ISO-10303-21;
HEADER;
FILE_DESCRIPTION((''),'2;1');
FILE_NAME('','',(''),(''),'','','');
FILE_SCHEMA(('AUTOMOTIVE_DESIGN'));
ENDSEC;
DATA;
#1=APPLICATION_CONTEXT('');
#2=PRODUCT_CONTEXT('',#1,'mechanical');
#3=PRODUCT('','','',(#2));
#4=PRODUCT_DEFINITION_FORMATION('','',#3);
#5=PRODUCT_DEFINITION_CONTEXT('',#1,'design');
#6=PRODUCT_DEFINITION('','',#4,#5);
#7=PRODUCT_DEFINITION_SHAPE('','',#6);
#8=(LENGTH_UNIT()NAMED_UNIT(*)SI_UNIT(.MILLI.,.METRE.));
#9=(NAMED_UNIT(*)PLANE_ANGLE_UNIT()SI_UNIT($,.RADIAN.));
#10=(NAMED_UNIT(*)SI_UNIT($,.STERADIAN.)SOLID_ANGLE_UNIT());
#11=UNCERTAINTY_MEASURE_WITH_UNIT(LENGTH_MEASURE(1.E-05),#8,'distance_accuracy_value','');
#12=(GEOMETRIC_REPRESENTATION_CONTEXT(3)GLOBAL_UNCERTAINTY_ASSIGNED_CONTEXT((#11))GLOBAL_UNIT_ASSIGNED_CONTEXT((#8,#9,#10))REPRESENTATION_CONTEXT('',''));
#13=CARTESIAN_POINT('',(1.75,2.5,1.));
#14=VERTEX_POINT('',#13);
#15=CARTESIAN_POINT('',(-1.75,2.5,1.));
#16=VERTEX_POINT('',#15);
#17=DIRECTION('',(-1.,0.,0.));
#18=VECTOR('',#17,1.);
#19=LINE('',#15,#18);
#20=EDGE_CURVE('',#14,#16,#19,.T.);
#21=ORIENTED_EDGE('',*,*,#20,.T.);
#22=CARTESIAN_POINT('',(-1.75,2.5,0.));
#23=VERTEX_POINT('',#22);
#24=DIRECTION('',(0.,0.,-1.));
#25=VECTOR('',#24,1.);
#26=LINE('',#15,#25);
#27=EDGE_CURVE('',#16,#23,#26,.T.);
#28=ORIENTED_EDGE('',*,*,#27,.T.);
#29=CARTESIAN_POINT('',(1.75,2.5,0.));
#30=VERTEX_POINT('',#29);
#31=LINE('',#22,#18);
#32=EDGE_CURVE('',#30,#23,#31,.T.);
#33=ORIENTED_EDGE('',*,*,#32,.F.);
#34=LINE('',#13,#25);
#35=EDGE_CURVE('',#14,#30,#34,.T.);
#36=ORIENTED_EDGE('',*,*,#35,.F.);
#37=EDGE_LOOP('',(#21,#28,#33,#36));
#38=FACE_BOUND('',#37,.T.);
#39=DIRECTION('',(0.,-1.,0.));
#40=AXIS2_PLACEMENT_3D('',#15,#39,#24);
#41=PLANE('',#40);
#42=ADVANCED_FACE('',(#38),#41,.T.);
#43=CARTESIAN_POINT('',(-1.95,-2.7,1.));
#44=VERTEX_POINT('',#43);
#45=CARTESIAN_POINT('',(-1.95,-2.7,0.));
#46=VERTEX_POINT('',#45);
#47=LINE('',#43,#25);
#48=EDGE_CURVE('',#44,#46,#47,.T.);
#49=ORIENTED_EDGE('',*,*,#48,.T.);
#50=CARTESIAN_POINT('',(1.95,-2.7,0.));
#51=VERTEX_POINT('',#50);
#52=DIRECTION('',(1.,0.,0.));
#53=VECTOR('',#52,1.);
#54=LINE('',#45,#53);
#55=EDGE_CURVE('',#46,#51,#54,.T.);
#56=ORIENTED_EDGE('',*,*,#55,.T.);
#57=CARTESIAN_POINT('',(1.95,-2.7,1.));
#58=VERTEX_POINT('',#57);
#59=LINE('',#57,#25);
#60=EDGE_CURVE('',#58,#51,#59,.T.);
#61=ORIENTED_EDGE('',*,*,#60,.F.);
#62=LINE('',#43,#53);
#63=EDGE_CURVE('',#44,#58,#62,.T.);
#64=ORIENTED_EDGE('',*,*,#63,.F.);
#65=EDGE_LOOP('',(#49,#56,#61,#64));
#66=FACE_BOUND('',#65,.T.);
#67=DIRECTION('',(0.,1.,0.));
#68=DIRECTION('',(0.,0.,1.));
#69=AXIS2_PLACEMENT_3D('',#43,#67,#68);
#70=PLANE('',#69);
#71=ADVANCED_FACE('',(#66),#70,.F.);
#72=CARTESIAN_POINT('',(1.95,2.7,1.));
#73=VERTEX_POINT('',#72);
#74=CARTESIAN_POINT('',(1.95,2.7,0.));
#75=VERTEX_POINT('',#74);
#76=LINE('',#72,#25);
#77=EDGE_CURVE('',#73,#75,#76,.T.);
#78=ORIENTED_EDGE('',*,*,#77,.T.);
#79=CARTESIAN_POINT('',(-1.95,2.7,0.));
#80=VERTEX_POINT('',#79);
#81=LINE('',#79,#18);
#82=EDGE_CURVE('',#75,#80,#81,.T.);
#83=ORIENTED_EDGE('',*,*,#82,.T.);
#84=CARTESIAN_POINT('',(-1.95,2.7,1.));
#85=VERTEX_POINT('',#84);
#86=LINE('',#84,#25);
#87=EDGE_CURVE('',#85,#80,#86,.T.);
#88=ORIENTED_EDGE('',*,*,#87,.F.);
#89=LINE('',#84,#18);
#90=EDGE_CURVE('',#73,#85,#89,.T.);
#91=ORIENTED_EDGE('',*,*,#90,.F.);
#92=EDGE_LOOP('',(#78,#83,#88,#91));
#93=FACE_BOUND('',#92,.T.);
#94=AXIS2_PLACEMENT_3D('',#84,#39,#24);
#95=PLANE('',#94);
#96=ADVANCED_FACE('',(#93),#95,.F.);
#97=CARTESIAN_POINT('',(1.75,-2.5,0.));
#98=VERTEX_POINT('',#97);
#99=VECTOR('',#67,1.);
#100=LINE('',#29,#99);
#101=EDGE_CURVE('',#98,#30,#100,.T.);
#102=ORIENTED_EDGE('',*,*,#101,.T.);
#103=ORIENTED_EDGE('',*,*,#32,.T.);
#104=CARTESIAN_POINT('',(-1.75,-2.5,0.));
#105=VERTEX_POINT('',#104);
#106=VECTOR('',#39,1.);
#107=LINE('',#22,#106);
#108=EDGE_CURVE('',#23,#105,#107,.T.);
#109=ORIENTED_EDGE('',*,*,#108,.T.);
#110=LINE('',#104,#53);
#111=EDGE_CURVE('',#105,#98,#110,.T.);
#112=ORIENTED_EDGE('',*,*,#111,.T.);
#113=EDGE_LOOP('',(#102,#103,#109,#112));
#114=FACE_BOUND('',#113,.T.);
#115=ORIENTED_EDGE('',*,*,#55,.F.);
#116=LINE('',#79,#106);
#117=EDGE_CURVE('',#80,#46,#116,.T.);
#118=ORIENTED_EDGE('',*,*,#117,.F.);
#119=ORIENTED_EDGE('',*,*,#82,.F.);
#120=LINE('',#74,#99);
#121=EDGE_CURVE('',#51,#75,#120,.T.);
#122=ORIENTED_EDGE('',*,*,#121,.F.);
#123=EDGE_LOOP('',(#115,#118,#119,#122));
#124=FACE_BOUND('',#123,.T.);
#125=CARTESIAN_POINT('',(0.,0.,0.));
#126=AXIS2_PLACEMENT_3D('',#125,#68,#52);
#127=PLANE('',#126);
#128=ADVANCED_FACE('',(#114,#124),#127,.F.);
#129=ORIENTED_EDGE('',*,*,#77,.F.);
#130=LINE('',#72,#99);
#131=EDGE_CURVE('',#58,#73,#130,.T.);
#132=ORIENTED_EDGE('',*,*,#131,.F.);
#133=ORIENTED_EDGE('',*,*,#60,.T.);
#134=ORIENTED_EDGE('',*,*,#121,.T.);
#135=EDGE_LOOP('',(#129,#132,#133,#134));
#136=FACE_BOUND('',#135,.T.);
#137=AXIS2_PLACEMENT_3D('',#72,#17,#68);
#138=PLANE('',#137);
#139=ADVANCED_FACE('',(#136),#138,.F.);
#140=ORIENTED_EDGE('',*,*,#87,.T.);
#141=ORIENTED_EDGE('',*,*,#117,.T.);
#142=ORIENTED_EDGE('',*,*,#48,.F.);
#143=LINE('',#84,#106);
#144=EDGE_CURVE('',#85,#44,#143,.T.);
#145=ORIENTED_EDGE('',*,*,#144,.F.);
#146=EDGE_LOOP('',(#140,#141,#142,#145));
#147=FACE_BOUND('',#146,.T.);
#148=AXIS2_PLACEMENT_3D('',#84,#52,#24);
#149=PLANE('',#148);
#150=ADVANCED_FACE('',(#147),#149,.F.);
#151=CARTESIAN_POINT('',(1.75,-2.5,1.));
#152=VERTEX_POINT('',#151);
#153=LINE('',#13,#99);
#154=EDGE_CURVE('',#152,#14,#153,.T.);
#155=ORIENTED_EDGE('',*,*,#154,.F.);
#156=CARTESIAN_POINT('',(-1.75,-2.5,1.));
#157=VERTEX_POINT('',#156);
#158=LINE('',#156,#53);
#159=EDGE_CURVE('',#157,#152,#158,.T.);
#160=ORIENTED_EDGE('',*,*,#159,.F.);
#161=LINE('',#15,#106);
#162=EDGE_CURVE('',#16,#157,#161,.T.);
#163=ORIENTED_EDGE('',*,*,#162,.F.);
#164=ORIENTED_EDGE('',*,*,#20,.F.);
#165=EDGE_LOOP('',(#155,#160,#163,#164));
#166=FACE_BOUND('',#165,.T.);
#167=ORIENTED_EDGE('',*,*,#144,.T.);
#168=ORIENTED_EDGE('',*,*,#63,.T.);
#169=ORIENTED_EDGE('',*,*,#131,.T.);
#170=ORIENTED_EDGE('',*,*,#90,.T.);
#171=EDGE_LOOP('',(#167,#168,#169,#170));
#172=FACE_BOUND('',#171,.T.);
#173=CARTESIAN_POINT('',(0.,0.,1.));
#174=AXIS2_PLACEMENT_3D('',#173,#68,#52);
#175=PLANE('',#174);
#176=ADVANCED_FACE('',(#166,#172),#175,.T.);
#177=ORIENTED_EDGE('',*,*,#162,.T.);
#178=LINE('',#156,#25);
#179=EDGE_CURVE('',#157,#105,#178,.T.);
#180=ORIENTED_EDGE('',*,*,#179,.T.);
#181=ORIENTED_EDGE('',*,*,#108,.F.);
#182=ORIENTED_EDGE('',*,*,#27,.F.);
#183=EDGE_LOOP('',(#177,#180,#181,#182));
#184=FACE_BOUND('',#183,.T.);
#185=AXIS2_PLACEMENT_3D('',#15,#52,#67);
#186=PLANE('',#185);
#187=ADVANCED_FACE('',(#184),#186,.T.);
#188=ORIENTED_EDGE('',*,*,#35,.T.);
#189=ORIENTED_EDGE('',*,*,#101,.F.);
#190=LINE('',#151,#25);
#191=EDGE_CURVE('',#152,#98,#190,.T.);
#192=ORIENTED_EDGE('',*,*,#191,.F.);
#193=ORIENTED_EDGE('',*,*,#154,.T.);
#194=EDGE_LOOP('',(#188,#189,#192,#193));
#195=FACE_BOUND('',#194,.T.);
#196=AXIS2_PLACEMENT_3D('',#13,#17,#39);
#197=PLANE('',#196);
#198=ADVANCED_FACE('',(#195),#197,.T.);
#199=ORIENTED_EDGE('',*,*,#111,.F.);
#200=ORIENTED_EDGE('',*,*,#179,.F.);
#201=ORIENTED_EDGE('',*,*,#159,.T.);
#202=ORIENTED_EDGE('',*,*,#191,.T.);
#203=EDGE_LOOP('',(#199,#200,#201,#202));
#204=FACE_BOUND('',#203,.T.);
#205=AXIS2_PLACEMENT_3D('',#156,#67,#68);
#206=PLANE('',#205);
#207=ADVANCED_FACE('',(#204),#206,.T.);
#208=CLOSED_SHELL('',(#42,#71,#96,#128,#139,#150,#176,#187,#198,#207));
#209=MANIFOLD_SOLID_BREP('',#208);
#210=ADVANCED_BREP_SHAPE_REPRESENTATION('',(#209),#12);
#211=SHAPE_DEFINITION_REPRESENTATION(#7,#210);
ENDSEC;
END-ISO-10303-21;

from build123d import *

# Parameters (mm, degrees)
SKETCH_1_W      = 3.9
SKETCH_1_H      = 5.4
SKETCH_1_W_2    = 3.5
SKETCH_1_H_2    = 5
EXTRUDE_1_DEPTH = 1


with BuildPart() as part:
    # 草图1 → 凸台-拉伸1 (new body)
    with BuildSketch(Plane.XY):
        Rectangle(SKETCH_1_W, SKETCH_1_H)
        Rectangle(SKETCH_1_W_2, SKETCH_1_H_2, mode=Mode.SUBTRACT)
    extrude(amount=EXTRUDE_1_DEPTH)


solid = part.part
